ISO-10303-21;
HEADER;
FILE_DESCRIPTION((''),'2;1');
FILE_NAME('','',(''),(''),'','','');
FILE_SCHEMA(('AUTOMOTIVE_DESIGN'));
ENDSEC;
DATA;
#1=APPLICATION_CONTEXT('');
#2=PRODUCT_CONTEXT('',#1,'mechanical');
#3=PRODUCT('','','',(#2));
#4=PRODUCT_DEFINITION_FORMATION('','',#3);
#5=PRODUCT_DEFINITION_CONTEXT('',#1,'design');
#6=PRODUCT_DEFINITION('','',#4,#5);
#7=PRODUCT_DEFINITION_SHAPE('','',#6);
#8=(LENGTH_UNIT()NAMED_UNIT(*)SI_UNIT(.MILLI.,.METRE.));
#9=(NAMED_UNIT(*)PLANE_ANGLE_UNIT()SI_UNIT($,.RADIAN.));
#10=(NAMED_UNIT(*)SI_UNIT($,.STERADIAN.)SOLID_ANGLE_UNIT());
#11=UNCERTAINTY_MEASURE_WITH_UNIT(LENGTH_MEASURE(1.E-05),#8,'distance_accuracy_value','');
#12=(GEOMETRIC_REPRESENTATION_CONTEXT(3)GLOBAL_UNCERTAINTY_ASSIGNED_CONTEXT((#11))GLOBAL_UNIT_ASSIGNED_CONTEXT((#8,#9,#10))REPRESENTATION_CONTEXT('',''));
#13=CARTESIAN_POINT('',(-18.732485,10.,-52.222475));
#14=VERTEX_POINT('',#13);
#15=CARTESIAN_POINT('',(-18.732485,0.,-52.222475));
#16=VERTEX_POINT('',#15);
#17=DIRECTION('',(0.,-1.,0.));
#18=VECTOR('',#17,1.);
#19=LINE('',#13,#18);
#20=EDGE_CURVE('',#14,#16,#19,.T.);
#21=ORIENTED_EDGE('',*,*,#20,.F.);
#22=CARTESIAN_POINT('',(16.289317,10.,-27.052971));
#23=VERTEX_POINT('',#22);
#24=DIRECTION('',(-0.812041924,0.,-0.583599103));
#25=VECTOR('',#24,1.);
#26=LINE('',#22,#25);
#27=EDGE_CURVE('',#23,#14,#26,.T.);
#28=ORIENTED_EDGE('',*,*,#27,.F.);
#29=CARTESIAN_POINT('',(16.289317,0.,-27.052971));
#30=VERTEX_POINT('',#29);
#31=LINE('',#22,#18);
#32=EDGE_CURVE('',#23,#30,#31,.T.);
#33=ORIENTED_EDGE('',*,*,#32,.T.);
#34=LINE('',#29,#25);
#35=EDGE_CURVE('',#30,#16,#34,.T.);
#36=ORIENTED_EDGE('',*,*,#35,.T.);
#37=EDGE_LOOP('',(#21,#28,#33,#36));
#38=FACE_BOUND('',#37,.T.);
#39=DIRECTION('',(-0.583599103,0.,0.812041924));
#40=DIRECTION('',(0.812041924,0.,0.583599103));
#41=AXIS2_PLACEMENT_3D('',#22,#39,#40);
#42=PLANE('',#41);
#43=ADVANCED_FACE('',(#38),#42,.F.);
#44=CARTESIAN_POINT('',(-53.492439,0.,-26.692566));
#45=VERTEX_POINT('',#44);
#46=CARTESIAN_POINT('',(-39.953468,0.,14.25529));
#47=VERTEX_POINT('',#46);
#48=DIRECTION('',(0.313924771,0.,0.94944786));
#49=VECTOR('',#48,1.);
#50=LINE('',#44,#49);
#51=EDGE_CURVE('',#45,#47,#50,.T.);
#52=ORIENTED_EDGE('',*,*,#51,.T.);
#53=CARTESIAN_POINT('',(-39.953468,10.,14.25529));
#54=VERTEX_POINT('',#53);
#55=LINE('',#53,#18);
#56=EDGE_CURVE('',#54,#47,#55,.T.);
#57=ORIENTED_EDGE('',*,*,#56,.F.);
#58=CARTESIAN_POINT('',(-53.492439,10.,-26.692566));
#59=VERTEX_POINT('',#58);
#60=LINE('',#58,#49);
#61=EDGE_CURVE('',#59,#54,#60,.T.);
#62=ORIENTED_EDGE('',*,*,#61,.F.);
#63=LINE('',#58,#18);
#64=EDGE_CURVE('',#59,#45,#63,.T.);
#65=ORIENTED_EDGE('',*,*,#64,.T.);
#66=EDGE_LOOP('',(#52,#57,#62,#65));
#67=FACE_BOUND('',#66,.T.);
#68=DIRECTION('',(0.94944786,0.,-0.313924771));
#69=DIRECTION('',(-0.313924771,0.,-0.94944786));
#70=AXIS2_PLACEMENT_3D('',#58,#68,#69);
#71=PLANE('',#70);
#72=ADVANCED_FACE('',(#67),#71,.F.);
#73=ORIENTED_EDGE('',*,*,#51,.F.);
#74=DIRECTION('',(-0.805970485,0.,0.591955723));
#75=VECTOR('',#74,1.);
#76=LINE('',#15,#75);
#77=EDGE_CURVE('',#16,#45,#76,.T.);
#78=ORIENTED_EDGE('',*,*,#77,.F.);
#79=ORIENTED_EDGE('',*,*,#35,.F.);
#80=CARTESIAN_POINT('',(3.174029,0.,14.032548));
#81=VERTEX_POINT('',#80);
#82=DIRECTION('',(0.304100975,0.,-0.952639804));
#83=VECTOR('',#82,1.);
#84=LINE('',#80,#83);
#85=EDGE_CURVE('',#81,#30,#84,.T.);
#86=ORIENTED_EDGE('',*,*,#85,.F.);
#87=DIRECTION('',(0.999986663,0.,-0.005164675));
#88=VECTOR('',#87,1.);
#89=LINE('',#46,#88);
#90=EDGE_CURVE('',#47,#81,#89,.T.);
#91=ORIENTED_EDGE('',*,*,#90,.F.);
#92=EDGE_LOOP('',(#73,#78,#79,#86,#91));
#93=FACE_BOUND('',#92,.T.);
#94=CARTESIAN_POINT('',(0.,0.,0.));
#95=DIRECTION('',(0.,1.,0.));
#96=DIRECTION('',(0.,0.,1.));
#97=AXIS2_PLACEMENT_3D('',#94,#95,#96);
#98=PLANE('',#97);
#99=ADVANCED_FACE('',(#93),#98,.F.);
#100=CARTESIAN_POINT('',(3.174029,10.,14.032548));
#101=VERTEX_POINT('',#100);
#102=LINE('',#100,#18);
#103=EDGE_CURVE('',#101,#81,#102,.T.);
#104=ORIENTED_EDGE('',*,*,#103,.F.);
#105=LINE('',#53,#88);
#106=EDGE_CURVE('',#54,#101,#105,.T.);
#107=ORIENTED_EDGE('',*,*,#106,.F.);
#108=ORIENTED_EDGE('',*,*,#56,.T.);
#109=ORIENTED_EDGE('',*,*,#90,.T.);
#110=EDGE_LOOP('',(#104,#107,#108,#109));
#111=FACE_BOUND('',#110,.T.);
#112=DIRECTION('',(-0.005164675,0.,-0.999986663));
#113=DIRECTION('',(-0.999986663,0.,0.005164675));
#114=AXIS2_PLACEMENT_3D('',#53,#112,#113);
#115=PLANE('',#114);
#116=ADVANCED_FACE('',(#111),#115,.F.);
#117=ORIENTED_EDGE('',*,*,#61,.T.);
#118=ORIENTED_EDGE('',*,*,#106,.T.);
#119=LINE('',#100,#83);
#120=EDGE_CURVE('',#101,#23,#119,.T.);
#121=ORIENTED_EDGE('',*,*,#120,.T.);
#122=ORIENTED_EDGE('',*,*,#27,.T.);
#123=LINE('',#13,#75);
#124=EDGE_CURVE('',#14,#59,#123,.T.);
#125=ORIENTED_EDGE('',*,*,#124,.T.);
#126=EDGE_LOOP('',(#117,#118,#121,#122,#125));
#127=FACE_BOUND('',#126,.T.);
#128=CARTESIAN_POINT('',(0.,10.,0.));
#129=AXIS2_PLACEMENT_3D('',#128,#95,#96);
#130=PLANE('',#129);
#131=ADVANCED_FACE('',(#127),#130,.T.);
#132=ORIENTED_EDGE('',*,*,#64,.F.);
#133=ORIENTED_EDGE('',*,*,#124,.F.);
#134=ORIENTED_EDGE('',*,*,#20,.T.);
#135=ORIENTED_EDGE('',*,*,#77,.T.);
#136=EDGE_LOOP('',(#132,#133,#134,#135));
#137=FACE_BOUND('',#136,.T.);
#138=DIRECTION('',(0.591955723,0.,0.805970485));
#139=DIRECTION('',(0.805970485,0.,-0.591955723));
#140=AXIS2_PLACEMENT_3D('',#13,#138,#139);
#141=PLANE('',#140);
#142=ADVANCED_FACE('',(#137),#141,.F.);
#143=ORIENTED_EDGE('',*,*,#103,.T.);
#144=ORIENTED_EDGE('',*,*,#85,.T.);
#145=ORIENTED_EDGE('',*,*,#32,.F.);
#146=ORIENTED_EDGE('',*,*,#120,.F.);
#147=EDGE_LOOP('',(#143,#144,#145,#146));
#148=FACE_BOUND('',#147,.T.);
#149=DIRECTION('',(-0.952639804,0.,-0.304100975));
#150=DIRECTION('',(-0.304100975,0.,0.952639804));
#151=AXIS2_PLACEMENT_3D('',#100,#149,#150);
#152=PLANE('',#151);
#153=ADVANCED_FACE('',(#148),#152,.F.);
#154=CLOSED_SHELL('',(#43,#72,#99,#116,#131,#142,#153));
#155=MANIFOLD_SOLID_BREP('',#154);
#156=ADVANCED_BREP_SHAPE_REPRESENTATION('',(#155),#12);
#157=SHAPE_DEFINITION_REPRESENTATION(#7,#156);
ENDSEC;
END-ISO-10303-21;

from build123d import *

# Parameters (mm, degrees)
EXTRUDE_1_DEPTH = 10


with BuildPart() as part:
    # 草图1 → 凸台-拉伸1 (new body)
    with BuildSketch(Plane(origin=(0, 0, 0), x_dir=(1, 0, 0), z_dir=(0, 1, 0))):
        Polygon((3.17402861, -14.032547539), (16.289317406, 27.052970711), (-18.732485327, 52.222474944), (-53.492438559, 26.692565791), (-39.953468371, -14.255290029), align=None)
    extrude(amount=EXTRUDE_1_DEPTH)


solid = part.part
